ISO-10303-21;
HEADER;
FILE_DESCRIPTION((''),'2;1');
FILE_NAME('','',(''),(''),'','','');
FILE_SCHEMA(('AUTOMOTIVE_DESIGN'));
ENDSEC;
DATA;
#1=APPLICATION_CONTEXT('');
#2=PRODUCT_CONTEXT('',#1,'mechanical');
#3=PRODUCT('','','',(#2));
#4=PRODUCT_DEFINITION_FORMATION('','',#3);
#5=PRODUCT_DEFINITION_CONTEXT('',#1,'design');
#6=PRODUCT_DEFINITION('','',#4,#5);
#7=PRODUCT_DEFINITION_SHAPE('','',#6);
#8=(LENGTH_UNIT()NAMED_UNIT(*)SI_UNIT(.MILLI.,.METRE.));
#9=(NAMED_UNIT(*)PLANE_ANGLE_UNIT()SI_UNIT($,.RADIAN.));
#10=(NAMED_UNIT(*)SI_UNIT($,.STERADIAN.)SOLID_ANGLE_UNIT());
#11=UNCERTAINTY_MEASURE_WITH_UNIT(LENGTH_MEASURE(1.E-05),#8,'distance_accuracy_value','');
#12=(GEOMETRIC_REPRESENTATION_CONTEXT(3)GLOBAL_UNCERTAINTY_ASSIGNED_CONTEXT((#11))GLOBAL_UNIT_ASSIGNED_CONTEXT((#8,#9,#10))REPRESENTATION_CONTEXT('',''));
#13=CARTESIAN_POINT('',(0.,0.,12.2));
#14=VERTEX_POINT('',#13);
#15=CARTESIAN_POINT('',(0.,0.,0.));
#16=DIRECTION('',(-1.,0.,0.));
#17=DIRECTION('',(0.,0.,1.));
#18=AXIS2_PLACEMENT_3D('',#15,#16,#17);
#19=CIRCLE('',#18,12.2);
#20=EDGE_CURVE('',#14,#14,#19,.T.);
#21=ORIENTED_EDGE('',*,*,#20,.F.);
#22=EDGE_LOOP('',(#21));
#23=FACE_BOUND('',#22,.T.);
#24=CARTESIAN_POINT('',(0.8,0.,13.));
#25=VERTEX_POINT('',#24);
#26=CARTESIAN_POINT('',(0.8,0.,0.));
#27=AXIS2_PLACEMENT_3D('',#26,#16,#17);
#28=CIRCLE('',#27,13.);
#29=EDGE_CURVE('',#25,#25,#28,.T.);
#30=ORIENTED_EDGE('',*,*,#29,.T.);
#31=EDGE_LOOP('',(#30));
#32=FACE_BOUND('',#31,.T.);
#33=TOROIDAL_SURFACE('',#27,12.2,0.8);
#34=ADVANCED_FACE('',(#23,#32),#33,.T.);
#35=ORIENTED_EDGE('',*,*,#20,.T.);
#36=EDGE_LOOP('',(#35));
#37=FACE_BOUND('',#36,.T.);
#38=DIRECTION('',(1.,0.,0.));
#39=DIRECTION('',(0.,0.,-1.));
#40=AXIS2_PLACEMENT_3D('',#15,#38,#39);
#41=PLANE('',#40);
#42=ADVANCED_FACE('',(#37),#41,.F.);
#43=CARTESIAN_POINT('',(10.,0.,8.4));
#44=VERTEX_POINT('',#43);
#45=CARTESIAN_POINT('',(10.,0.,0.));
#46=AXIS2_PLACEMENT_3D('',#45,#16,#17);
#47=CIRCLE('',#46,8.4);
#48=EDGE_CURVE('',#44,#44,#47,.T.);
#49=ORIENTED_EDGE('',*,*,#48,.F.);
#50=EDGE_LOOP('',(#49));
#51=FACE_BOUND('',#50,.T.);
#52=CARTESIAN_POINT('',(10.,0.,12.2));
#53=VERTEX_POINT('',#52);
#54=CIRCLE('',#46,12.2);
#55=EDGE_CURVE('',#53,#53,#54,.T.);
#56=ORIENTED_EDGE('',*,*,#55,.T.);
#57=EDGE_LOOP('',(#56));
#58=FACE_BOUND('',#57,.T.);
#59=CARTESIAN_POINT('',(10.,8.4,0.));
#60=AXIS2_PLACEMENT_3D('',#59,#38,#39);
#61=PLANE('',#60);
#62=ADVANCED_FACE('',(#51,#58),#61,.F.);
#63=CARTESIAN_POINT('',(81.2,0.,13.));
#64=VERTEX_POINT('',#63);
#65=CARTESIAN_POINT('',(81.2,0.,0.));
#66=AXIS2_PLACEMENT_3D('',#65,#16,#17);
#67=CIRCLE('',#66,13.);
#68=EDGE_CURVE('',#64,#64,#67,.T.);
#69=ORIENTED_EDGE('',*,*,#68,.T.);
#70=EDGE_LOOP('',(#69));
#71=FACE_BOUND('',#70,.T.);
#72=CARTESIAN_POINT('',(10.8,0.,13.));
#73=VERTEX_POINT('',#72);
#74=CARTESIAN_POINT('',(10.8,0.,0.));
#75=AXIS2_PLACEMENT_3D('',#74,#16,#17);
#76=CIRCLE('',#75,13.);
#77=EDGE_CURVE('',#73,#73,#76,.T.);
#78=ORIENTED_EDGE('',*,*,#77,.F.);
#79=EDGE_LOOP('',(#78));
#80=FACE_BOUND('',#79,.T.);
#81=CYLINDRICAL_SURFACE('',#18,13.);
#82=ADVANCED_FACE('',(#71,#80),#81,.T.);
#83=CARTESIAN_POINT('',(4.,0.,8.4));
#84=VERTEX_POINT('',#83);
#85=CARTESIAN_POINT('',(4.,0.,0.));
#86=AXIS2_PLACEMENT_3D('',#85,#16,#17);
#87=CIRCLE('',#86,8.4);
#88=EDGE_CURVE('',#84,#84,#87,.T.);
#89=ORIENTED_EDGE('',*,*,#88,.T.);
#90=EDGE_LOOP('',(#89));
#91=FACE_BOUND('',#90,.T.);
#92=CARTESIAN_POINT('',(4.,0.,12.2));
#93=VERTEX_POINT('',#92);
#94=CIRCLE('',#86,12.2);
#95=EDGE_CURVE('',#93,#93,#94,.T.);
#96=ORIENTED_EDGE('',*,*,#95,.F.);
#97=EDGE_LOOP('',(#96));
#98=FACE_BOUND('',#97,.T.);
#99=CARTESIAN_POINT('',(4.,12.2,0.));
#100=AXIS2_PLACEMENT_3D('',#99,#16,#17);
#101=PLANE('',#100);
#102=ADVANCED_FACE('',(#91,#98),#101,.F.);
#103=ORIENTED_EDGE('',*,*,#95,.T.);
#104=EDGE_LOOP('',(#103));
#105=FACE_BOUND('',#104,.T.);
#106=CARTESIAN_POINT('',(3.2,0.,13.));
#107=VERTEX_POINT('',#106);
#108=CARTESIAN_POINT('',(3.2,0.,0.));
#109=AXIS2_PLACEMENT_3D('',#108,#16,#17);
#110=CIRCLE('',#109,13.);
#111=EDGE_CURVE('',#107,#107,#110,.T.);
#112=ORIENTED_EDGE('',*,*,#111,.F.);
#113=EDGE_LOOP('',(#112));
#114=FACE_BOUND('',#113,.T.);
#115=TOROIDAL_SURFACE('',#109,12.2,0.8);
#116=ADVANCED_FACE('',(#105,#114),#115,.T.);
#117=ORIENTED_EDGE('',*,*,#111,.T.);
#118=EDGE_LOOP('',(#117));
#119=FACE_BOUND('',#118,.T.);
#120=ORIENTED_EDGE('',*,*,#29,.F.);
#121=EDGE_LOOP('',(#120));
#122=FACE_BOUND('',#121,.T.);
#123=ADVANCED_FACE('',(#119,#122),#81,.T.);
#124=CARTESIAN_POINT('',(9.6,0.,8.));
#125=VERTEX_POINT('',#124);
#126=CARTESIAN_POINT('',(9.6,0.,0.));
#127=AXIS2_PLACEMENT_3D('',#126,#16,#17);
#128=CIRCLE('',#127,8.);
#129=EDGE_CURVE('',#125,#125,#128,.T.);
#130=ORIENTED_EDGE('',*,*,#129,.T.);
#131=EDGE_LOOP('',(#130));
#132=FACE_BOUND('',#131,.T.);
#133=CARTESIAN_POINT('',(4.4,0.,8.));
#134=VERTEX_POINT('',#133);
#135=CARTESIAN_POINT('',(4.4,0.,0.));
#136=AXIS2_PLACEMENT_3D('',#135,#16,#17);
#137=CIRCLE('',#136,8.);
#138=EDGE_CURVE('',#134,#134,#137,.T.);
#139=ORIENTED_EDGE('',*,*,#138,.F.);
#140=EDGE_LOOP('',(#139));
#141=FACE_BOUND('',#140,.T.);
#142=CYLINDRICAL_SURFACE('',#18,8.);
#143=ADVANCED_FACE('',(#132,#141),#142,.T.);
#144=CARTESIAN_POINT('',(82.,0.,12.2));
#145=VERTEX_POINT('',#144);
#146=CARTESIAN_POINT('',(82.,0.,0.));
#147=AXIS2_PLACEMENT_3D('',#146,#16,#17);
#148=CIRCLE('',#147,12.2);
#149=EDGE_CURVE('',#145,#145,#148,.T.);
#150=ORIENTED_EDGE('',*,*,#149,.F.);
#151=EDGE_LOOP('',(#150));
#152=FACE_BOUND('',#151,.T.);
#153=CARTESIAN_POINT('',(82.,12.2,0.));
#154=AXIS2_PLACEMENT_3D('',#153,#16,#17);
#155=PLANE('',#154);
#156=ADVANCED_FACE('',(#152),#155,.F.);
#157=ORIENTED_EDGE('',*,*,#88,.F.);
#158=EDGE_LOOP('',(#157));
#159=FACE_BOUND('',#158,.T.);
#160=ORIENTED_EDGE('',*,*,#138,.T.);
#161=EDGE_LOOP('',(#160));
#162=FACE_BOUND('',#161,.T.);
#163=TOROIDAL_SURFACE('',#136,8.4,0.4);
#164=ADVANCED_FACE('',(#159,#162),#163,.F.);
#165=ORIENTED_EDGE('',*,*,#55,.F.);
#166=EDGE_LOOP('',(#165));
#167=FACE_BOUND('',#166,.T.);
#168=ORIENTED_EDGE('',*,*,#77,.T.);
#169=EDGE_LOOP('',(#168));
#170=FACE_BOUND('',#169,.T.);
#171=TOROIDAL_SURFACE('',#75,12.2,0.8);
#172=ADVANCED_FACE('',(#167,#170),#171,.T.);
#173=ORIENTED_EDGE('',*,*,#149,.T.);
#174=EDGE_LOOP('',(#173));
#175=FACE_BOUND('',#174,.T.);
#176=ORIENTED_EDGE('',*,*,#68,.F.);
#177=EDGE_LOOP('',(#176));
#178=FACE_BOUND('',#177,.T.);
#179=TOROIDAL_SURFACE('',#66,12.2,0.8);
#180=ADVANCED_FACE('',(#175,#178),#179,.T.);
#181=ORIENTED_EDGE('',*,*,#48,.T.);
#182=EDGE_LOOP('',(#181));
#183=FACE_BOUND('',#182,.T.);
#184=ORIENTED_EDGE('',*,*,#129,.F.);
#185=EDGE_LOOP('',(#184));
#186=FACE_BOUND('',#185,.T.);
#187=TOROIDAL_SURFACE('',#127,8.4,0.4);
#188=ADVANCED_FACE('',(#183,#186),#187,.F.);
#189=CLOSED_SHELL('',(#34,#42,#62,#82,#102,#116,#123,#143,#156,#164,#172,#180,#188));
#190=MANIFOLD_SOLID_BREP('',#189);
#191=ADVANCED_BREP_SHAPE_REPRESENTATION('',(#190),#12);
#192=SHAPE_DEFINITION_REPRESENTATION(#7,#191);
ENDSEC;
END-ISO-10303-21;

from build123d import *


with BuildPart() as part:
    # Sketch1 → Base-Revolve (revolve)
    with BuildSketch(Plane.XY):
        with BuildLine():
            Line((0, 0), (0, 12.2))
            ThreePointArc((0, 12.2), (0.234314575, 12.765685425), (0.8, 13))
            Line((0.8, 13), (3.2, 13))
            ThreePointArc((3.2, 13), (3.765685425, 12.765685425), (4, 12.2))
            Line((4, 12.2), (4, 8.4))
            ThreePointArc((4, 8.4), (4.117157288, 8.117157288), (4.4, 8))
            Line((4.4, 8), (9.6, 8))
            ThreePointArc((9.6, 8), (9.882842712, 8.117157288), (10, 8.4))
            Line((10, 8.4), (10, 12.2))
            ThreePointArc((10, 12.2), (10.234314575, 12.765685425), (10.8, 13))
            Line((10.8, 13), (81.2, 13))
            ThreePointArc((81.2, 13), (81.765685425, 12.765685425), (82, 12.2))
            Line((82, 12.2), (82, 0))
            Line((82, 0), (0, 0))
        make_face()
    revolve(axis=Axis((0, 0, 0), (1, 0, 0)))


solid = part.part
